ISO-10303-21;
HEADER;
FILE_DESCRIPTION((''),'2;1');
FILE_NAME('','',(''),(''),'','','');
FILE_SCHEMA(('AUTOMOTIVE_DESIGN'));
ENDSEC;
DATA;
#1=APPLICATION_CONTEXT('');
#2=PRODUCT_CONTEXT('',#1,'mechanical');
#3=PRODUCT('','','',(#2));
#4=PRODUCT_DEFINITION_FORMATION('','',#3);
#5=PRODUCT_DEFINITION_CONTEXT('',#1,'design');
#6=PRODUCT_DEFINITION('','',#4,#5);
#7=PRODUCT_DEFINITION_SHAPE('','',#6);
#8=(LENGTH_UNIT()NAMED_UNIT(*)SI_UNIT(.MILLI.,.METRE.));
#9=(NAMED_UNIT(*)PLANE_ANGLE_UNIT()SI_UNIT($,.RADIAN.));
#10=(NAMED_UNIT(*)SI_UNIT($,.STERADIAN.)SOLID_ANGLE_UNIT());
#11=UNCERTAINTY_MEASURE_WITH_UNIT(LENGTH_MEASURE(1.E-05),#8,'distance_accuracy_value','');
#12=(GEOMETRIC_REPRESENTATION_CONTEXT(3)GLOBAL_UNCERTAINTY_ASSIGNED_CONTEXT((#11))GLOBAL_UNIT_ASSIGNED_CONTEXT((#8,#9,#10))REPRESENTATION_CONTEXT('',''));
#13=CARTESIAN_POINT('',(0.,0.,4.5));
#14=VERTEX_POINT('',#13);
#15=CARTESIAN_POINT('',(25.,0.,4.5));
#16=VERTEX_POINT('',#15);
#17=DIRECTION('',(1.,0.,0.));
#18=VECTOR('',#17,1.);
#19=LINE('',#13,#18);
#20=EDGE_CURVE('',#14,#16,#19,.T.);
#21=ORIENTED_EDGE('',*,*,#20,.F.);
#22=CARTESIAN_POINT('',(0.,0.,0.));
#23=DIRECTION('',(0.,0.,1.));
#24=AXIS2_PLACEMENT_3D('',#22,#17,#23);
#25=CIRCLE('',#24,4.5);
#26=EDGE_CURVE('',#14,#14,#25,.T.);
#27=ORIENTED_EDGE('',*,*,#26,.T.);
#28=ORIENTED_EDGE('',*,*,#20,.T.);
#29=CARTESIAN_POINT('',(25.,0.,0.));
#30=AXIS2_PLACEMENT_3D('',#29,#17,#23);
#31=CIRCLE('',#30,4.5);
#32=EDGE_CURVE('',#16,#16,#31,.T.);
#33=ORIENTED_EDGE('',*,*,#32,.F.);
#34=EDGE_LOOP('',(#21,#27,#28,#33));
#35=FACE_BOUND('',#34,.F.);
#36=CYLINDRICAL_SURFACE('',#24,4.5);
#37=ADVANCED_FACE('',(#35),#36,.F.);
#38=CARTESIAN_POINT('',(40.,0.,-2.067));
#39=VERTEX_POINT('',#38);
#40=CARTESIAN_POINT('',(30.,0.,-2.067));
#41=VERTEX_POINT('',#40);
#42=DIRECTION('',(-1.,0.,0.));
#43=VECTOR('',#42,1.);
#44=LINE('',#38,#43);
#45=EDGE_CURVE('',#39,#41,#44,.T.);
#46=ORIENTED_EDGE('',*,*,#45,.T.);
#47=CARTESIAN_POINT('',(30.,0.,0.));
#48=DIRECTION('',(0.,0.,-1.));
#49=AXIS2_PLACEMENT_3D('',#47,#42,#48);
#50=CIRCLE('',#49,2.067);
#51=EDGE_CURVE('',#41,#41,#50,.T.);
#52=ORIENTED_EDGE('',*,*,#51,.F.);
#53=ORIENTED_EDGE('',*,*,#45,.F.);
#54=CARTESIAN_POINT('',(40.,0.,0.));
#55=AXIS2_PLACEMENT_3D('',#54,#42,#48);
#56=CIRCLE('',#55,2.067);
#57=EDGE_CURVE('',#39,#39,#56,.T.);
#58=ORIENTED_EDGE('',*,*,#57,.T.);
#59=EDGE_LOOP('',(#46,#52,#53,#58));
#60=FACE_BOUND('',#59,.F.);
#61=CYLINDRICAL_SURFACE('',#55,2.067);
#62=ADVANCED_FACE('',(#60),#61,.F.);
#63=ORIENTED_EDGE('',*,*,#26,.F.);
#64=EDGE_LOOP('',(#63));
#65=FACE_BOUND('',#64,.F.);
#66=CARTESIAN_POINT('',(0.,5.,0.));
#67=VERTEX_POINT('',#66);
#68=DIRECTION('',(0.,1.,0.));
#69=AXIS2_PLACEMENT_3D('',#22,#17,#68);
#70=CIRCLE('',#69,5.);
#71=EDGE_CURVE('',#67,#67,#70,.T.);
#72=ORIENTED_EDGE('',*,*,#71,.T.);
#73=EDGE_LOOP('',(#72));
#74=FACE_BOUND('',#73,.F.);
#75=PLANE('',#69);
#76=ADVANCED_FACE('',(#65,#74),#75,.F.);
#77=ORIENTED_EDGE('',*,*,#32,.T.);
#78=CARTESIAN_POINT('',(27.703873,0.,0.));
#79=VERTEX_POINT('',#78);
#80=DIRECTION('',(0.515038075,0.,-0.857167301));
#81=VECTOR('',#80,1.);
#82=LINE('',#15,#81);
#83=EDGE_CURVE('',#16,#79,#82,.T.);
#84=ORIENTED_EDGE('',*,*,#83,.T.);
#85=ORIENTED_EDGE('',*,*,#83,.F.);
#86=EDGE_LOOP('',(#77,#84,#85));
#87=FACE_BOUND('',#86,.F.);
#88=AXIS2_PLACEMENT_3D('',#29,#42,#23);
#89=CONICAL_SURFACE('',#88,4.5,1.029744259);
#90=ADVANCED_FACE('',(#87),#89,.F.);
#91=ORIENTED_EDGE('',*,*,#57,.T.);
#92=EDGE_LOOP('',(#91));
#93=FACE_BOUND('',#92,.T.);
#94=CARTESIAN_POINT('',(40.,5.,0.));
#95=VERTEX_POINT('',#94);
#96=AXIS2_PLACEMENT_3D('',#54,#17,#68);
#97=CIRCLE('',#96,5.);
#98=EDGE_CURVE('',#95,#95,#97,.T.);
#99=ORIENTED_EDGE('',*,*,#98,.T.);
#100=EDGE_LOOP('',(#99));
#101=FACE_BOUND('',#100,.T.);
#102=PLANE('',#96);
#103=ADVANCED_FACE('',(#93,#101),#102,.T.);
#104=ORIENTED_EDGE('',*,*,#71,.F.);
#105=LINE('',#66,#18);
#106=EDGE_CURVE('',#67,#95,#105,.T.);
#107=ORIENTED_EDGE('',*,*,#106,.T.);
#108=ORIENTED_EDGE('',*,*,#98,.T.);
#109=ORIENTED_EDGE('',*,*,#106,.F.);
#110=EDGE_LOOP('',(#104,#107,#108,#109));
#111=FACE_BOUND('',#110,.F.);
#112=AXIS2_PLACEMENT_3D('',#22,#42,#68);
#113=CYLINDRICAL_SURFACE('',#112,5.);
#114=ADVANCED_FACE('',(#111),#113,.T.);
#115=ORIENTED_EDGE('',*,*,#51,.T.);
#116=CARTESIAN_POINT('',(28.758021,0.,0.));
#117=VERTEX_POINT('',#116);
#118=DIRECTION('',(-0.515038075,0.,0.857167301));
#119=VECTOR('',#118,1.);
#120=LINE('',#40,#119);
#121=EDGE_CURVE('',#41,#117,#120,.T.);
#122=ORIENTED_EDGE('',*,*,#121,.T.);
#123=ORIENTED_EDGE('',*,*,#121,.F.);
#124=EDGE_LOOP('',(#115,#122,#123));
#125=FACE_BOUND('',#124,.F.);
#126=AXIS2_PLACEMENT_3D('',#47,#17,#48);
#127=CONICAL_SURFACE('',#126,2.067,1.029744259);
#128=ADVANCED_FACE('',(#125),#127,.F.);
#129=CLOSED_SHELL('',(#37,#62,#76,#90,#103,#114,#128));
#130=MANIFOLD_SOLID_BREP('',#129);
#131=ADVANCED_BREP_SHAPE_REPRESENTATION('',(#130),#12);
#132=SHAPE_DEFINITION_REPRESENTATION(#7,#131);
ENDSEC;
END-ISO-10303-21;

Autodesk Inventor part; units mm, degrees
ref_plane "YZ Plane" through (0, 0, 0) normal (1, 0, 0) x (0, 1, 0)
ref_plane "XZ Plane" through (0, 0, 0) normal (0, 1, 0) x (-1, 0, 0)
ref_plane "XY Plane" through (0, 0, 0) normal (0, 0, 1) x (1, 0, 0)
sketch "Sketch1" plane through (0, 0, 0) normal (1, 0, 0) x (0, 1, 0)
  circle A0 centre (0, 0) radius 5
  dimension "d0" = 10
extrude "Extrusion1" add sketch "Sketch1" along normal blind 40
sketch "Sketch2" plane through (40, 0, 0) normal (1, 0, 0) x (0, 0, -1)
  point P0 (0, 0)
  point P1 (0, 0)
hole "Hole1" at (40, 0, 0) direction (-1, 0, 0) diameter 4.134 depth 10 tip angle 118 thread size "M5x0.8" class "6H" standard "ANSI Metric M Profile"
sketch "Sketch3" plane through (0, 0, 0) normal (-1, 0, 0) x (0, 0, 1)
  point P0 (0, 0)
  point P1 (0, 0)
hole "Hole2" at (0, 0, 0) direction (1, 0, 0) diameter 9 depth 25 tip angle 118 clearance for "Flat Head Machine Screw" size "M8" standard "Ansi Metric M Profile"
properties part number "CopleCatheter"
